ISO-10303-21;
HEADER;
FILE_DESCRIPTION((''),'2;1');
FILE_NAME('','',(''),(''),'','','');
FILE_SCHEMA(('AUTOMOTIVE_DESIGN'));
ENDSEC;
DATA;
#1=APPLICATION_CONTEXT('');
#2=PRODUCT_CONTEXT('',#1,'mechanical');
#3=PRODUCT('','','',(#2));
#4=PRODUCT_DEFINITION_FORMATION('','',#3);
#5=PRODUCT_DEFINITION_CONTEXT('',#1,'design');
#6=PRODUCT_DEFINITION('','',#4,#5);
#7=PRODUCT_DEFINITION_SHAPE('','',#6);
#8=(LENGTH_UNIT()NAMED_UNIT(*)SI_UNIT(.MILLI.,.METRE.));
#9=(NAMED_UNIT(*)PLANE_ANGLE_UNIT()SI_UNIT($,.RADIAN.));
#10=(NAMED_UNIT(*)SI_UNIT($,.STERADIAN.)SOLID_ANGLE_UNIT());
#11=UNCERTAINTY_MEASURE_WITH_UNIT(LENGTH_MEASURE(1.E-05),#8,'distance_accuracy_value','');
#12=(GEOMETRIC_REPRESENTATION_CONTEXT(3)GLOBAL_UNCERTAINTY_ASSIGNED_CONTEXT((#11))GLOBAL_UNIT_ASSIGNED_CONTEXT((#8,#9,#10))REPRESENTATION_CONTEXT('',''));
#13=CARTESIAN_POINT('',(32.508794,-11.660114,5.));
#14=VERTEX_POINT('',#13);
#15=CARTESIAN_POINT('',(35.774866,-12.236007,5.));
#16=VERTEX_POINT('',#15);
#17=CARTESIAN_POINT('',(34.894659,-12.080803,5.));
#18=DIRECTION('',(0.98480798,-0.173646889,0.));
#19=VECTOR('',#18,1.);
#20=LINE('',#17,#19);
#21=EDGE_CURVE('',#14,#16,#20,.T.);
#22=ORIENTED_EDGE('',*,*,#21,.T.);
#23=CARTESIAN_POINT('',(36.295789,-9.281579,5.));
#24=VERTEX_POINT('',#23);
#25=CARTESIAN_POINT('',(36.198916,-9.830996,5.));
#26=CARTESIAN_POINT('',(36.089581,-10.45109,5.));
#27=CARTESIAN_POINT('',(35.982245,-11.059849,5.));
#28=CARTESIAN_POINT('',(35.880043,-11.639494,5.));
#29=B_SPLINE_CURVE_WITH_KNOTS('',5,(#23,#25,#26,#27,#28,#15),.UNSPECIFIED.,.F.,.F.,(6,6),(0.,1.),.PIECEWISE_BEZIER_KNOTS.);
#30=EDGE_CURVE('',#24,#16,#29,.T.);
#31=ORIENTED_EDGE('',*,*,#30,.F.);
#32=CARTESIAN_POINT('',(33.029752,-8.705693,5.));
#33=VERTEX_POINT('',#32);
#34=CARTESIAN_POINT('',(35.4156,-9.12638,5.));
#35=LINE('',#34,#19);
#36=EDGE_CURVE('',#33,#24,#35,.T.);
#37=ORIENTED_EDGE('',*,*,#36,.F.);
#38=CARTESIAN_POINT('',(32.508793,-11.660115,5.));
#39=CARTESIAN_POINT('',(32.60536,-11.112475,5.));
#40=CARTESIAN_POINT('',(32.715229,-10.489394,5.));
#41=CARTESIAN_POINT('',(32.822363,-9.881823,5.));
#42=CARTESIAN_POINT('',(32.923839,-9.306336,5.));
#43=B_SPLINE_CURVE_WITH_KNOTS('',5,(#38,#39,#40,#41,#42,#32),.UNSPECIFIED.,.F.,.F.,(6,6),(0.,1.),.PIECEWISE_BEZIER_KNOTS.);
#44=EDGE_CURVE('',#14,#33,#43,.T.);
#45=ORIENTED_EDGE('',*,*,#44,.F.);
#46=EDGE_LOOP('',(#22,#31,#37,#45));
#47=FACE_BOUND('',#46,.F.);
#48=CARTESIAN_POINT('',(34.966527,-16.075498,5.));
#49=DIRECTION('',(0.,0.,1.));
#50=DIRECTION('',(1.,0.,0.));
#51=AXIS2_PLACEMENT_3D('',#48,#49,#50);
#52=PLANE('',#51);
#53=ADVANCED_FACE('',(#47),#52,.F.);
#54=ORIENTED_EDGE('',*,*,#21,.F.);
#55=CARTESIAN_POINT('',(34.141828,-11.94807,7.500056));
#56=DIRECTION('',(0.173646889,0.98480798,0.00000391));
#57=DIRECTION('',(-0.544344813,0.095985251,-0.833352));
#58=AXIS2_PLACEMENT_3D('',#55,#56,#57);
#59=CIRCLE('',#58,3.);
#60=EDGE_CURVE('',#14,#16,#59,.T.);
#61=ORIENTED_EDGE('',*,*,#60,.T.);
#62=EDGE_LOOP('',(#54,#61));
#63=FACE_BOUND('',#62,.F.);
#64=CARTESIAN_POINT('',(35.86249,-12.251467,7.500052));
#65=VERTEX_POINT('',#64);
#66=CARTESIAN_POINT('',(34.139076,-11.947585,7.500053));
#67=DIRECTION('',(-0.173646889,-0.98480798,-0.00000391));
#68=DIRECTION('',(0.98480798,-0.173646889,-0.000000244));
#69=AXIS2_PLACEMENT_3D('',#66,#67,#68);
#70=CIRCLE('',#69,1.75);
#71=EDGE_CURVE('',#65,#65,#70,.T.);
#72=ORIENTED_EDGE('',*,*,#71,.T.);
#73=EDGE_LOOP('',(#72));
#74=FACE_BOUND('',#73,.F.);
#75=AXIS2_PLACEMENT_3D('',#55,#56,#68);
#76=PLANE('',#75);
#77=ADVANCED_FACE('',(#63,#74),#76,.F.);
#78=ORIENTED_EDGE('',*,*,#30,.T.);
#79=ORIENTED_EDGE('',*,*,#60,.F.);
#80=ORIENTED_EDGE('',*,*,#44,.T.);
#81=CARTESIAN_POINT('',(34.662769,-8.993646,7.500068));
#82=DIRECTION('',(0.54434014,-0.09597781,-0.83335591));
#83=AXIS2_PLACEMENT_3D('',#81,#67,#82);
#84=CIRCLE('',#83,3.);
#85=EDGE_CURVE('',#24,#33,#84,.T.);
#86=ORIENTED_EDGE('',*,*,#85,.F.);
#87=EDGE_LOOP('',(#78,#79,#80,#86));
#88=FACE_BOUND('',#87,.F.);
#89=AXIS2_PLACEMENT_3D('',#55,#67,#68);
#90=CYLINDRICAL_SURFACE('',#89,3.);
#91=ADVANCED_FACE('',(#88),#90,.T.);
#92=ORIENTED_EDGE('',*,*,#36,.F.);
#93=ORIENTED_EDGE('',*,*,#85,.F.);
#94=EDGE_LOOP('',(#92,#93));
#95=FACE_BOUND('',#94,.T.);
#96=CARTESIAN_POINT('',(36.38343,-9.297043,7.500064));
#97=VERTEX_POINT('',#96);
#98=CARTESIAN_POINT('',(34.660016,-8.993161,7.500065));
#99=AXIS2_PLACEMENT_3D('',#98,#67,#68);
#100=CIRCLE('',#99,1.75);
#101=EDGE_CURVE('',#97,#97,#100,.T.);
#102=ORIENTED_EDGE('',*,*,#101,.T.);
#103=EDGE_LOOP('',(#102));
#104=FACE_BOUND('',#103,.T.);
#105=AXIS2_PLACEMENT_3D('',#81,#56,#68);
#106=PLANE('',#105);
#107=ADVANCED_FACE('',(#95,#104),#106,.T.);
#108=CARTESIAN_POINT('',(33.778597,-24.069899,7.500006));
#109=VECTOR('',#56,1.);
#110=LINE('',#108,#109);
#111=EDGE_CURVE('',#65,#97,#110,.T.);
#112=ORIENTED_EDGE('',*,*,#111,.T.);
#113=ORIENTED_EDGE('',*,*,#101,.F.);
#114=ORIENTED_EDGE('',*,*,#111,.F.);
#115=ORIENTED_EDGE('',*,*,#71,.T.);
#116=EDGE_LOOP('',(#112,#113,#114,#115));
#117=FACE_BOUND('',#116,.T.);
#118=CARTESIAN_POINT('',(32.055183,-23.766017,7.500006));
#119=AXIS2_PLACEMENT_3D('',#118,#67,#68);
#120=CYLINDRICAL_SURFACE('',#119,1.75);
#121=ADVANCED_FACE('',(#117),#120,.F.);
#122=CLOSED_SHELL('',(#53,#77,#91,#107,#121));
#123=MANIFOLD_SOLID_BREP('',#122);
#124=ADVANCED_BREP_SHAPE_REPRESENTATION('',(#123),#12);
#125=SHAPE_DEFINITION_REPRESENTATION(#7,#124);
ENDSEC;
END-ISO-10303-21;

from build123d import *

# Parameters (mm, degrees)
PAD012_DEPTH                = 3
CYLINDER047_R               = 1.75
CYLINDER047_DEPTH           = 18
CYLINDER047_ROLL_ANGLE      = -89.999776
CYLINDER047_PITCH_ANGLE     = 1.4e-05
CYLINDER047_PLACEMENT_ANGLE = -9.999925
CYLINDER042_R               = 3
CYLINDER042_DEPTH           = 3
CYLINDER042_ROLL_ANGLE      = -89.999776
CYLINDER042_PITCH_ANGLE     = 1.4e-05
CYLINDER042_PLACEMENT_ANGLE = -9.999925


with BuildPart() as steg_u001:
    # Sketch012 → Pad012 (new body)
    with BuildSketch(Plane.XY):
        with BuildLine():
            add(Edge.make_bspline(
                [(44.997663, -28.408983), (45.245046, -6.764399), (28.5, -0.316434)],
                knots=[1.556693, 1.556693, 1.556693, 2.83913, 2.83913, 2.83913], degree=2, weights=[1, 0.801368, 1]))
            Line((28.5, -0.316434), (28.5, -25.5))
            Line((28.5, -25.5), (44.997663, -28.408983))
        make_face()
    extrude(amount=PAD012_DEPTH)


with BuildPart() as steg_u001_1:
    # Body014 placement: moved
    add(steg_u001.part.moved(Location((0, 0, 2))))


with BuildPart() as cylinder047:
    # Cylinder047 → Cylinder047 (new body)
    with BuildSketch(Plane.XY):
        Circle(CYLINDER047_R)
    extrude(amount=CYLINDER047_DEPTH)


with BuildPart() as cylinder047_1:
    # Cylinder047 roll: moved
    add(cylinder047.part.rotate(Axis((0, 0, 0), (1, 0, 0)), CYLINDER047_ROLL_ANGLE))


with BuildPart() as cylinder047_2:
    # Cylinder047 pitch: moved
    add(cylinder047_1.part.rotate(Axis((0, 0, 0), (0, 1, 0)), CYLINDER047_PITCH_ANGLE))


with BuildPart() as cylinder047_3:
    # Cylinder047 placement: moved
    add(cylinder047_2.part.moved(Location((32.055183, -23.766017, 7.500006))).rotate(Axis((32.055183, -23.766017, 7.500006), (0, 0, 1)), CYLINDER047_PLACEMENT_ANGLE))


with BuildPart() as cut058:
    # Cylinder042 → Cylinder042 (new body)
    with BuildSketch(Plane.XY):
        Circle(CYLINDER042_R)
    extrude(amount=CYLINDER042_DEPTH)


with BuildPart() as cut058_1:
    # Cylinder042 roll: moved
    add(cut058.part.rotate(Axis((0, 0, 0), (1, 0, 0)), CYLINDER042_ROLL_ANGLE))


with BuildPart() as cut058_2:
    # Cylinder042 pitch: moved
    add(cut058_1.part.rotate(Axis((0, 0, 0), (0, 1, 0)), CYLINDER042_PITCH_ANGLE))


with BuildPart() as cut058_3:
    # Cylinder042 placement: moved
    add(cut058_2.part.moved(Location((34.141828, -11.94807, 7.500056))).rotate(Axis((34.141828, -11.94807, 7.500056), (0, 0, 1)), CYLINDER042_PLACEMENT_ANGLE))

    # Cut038: cut Cylinder047
    add(cylinder047_3.part, mode=Mode.SUBTRACT)

    # Cut058: cut steg_U001
    add(steg_u001_1.part, mode=Mode.SUBTRACT)


solid = cut058_3.part
